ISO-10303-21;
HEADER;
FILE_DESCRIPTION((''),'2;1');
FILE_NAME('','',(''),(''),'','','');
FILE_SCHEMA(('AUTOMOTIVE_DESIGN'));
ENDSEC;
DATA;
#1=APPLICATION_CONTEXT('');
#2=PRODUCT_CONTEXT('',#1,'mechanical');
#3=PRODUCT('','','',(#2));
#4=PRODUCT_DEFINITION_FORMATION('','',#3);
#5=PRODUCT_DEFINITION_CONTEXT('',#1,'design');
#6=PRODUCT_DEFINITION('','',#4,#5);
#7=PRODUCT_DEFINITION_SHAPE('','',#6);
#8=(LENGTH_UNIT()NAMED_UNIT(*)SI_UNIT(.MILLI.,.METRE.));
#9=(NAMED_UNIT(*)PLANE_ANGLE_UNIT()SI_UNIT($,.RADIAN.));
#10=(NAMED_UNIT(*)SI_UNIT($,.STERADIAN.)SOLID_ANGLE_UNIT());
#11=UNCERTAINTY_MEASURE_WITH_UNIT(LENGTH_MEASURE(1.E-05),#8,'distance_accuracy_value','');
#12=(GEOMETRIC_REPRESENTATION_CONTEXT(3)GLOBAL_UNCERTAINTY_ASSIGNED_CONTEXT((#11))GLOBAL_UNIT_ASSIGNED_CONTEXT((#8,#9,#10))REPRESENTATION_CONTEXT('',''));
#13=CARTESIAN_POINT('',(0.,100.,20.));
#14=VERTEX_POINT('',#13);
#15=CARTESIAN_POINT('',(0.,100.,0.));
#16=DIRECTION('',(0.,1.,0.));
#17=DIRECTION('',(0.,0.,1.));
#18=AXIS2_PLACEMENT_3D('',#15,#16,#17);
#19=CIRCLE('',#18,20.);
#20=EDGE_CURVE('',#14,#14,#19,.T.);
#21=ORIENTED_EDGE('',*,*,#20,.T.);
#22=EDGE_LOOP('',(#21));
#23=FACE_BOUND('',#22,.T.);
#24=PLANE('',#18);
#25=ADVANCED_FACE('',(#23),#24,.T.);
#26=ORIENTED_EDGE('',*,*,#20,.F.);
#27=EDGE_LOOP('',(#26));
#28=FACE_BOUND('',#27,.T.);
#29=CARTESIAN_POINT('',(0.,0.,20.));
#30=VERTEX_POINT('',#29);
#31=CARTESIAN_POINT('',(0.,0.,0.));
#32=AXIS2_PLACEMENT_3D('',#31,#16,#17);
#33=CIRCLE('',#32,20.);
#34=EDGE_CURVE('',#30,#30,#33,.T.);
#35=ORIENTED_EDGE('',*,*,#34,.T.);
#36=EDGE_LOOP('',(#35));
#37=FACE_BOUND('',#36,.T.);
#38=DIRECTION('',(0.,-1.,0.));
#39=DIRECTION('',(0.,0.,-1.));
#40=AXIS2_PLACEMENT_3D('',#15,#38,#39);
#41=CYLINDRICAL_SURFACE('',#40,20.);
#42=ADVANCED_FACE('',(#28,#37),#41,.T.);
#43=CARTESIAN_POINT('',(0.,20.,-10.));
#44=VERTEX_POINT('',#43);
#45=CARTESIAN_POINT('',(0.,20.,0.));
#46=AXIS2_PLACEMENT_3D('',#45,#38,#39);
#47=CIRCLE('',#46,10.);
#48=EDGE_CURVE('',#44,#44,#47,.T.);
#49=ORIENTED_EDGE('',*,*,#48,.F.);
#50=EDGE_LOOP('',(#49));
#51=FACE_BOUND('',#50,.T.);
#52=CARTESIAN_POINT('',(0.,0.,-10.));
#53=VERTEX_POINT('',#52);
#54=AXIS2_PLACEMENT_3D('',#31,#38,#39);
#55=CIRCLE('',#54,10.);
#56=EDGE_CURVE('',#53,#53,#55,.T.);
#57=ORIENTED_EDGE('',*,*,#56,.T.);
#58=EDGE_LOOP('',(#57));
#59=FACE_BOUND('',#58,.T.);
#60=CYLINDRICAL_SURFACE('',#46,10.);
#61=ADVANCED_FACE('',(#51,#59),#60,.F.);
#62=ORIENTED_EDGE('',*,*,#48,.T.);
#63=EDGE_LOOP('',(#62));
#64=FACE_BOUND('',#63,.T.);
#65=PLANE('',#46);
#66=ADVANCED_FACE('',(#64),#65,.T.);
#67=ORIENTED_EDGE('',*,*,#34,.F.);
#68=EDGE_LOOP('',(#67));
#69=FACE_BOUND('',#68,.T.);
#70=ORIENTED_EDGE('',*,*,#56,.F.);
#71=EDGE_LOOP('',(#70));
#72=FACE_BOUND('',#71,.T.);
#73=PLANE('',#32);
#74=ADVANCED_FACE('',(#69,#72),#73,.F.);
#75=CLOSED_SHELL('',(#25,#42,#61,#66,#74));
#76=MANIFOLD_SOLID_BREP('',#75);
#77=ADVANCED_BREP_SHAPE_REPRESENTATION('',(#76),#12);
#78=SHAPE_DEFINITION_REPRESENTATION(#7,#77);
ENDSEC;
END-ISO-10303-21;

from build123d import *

# Parameters (mm, degrees)
SKETCH1_R           = 20
BOSS_EXTRUDE1_DEPTH = 100
SKETCH2_R           = 10
CUT_EXTRUDE1_DEPTH  = 20


with BuildPart() as part:
    # Sketch1 → Boss-Extrude1 (new body)
    with BuildSketch(Plane(origin=(0, 0, 0), x_dir=(1, 0, 0), z_dir=(0, 1, 0))):
        with Locations(Location((0, 0, 0), (0, 0, 270))):
            Circle(SKETCH1_R)
    extrude(amount=BOSS_EXTRUDE1_DEPTH)

    # Sketch2 → Cut-Extrude1 (cut)
    with BuildSketch(Plane.XZ):
        with Locations(Location((0, 0, 0), (0, 0, 270))):
            Circle(SKETCH2_R)
    extrude(amount=-CUT_EXTRUDE1_DEPTH, mode=Mode.SUBTRACT)


solid = part.part
